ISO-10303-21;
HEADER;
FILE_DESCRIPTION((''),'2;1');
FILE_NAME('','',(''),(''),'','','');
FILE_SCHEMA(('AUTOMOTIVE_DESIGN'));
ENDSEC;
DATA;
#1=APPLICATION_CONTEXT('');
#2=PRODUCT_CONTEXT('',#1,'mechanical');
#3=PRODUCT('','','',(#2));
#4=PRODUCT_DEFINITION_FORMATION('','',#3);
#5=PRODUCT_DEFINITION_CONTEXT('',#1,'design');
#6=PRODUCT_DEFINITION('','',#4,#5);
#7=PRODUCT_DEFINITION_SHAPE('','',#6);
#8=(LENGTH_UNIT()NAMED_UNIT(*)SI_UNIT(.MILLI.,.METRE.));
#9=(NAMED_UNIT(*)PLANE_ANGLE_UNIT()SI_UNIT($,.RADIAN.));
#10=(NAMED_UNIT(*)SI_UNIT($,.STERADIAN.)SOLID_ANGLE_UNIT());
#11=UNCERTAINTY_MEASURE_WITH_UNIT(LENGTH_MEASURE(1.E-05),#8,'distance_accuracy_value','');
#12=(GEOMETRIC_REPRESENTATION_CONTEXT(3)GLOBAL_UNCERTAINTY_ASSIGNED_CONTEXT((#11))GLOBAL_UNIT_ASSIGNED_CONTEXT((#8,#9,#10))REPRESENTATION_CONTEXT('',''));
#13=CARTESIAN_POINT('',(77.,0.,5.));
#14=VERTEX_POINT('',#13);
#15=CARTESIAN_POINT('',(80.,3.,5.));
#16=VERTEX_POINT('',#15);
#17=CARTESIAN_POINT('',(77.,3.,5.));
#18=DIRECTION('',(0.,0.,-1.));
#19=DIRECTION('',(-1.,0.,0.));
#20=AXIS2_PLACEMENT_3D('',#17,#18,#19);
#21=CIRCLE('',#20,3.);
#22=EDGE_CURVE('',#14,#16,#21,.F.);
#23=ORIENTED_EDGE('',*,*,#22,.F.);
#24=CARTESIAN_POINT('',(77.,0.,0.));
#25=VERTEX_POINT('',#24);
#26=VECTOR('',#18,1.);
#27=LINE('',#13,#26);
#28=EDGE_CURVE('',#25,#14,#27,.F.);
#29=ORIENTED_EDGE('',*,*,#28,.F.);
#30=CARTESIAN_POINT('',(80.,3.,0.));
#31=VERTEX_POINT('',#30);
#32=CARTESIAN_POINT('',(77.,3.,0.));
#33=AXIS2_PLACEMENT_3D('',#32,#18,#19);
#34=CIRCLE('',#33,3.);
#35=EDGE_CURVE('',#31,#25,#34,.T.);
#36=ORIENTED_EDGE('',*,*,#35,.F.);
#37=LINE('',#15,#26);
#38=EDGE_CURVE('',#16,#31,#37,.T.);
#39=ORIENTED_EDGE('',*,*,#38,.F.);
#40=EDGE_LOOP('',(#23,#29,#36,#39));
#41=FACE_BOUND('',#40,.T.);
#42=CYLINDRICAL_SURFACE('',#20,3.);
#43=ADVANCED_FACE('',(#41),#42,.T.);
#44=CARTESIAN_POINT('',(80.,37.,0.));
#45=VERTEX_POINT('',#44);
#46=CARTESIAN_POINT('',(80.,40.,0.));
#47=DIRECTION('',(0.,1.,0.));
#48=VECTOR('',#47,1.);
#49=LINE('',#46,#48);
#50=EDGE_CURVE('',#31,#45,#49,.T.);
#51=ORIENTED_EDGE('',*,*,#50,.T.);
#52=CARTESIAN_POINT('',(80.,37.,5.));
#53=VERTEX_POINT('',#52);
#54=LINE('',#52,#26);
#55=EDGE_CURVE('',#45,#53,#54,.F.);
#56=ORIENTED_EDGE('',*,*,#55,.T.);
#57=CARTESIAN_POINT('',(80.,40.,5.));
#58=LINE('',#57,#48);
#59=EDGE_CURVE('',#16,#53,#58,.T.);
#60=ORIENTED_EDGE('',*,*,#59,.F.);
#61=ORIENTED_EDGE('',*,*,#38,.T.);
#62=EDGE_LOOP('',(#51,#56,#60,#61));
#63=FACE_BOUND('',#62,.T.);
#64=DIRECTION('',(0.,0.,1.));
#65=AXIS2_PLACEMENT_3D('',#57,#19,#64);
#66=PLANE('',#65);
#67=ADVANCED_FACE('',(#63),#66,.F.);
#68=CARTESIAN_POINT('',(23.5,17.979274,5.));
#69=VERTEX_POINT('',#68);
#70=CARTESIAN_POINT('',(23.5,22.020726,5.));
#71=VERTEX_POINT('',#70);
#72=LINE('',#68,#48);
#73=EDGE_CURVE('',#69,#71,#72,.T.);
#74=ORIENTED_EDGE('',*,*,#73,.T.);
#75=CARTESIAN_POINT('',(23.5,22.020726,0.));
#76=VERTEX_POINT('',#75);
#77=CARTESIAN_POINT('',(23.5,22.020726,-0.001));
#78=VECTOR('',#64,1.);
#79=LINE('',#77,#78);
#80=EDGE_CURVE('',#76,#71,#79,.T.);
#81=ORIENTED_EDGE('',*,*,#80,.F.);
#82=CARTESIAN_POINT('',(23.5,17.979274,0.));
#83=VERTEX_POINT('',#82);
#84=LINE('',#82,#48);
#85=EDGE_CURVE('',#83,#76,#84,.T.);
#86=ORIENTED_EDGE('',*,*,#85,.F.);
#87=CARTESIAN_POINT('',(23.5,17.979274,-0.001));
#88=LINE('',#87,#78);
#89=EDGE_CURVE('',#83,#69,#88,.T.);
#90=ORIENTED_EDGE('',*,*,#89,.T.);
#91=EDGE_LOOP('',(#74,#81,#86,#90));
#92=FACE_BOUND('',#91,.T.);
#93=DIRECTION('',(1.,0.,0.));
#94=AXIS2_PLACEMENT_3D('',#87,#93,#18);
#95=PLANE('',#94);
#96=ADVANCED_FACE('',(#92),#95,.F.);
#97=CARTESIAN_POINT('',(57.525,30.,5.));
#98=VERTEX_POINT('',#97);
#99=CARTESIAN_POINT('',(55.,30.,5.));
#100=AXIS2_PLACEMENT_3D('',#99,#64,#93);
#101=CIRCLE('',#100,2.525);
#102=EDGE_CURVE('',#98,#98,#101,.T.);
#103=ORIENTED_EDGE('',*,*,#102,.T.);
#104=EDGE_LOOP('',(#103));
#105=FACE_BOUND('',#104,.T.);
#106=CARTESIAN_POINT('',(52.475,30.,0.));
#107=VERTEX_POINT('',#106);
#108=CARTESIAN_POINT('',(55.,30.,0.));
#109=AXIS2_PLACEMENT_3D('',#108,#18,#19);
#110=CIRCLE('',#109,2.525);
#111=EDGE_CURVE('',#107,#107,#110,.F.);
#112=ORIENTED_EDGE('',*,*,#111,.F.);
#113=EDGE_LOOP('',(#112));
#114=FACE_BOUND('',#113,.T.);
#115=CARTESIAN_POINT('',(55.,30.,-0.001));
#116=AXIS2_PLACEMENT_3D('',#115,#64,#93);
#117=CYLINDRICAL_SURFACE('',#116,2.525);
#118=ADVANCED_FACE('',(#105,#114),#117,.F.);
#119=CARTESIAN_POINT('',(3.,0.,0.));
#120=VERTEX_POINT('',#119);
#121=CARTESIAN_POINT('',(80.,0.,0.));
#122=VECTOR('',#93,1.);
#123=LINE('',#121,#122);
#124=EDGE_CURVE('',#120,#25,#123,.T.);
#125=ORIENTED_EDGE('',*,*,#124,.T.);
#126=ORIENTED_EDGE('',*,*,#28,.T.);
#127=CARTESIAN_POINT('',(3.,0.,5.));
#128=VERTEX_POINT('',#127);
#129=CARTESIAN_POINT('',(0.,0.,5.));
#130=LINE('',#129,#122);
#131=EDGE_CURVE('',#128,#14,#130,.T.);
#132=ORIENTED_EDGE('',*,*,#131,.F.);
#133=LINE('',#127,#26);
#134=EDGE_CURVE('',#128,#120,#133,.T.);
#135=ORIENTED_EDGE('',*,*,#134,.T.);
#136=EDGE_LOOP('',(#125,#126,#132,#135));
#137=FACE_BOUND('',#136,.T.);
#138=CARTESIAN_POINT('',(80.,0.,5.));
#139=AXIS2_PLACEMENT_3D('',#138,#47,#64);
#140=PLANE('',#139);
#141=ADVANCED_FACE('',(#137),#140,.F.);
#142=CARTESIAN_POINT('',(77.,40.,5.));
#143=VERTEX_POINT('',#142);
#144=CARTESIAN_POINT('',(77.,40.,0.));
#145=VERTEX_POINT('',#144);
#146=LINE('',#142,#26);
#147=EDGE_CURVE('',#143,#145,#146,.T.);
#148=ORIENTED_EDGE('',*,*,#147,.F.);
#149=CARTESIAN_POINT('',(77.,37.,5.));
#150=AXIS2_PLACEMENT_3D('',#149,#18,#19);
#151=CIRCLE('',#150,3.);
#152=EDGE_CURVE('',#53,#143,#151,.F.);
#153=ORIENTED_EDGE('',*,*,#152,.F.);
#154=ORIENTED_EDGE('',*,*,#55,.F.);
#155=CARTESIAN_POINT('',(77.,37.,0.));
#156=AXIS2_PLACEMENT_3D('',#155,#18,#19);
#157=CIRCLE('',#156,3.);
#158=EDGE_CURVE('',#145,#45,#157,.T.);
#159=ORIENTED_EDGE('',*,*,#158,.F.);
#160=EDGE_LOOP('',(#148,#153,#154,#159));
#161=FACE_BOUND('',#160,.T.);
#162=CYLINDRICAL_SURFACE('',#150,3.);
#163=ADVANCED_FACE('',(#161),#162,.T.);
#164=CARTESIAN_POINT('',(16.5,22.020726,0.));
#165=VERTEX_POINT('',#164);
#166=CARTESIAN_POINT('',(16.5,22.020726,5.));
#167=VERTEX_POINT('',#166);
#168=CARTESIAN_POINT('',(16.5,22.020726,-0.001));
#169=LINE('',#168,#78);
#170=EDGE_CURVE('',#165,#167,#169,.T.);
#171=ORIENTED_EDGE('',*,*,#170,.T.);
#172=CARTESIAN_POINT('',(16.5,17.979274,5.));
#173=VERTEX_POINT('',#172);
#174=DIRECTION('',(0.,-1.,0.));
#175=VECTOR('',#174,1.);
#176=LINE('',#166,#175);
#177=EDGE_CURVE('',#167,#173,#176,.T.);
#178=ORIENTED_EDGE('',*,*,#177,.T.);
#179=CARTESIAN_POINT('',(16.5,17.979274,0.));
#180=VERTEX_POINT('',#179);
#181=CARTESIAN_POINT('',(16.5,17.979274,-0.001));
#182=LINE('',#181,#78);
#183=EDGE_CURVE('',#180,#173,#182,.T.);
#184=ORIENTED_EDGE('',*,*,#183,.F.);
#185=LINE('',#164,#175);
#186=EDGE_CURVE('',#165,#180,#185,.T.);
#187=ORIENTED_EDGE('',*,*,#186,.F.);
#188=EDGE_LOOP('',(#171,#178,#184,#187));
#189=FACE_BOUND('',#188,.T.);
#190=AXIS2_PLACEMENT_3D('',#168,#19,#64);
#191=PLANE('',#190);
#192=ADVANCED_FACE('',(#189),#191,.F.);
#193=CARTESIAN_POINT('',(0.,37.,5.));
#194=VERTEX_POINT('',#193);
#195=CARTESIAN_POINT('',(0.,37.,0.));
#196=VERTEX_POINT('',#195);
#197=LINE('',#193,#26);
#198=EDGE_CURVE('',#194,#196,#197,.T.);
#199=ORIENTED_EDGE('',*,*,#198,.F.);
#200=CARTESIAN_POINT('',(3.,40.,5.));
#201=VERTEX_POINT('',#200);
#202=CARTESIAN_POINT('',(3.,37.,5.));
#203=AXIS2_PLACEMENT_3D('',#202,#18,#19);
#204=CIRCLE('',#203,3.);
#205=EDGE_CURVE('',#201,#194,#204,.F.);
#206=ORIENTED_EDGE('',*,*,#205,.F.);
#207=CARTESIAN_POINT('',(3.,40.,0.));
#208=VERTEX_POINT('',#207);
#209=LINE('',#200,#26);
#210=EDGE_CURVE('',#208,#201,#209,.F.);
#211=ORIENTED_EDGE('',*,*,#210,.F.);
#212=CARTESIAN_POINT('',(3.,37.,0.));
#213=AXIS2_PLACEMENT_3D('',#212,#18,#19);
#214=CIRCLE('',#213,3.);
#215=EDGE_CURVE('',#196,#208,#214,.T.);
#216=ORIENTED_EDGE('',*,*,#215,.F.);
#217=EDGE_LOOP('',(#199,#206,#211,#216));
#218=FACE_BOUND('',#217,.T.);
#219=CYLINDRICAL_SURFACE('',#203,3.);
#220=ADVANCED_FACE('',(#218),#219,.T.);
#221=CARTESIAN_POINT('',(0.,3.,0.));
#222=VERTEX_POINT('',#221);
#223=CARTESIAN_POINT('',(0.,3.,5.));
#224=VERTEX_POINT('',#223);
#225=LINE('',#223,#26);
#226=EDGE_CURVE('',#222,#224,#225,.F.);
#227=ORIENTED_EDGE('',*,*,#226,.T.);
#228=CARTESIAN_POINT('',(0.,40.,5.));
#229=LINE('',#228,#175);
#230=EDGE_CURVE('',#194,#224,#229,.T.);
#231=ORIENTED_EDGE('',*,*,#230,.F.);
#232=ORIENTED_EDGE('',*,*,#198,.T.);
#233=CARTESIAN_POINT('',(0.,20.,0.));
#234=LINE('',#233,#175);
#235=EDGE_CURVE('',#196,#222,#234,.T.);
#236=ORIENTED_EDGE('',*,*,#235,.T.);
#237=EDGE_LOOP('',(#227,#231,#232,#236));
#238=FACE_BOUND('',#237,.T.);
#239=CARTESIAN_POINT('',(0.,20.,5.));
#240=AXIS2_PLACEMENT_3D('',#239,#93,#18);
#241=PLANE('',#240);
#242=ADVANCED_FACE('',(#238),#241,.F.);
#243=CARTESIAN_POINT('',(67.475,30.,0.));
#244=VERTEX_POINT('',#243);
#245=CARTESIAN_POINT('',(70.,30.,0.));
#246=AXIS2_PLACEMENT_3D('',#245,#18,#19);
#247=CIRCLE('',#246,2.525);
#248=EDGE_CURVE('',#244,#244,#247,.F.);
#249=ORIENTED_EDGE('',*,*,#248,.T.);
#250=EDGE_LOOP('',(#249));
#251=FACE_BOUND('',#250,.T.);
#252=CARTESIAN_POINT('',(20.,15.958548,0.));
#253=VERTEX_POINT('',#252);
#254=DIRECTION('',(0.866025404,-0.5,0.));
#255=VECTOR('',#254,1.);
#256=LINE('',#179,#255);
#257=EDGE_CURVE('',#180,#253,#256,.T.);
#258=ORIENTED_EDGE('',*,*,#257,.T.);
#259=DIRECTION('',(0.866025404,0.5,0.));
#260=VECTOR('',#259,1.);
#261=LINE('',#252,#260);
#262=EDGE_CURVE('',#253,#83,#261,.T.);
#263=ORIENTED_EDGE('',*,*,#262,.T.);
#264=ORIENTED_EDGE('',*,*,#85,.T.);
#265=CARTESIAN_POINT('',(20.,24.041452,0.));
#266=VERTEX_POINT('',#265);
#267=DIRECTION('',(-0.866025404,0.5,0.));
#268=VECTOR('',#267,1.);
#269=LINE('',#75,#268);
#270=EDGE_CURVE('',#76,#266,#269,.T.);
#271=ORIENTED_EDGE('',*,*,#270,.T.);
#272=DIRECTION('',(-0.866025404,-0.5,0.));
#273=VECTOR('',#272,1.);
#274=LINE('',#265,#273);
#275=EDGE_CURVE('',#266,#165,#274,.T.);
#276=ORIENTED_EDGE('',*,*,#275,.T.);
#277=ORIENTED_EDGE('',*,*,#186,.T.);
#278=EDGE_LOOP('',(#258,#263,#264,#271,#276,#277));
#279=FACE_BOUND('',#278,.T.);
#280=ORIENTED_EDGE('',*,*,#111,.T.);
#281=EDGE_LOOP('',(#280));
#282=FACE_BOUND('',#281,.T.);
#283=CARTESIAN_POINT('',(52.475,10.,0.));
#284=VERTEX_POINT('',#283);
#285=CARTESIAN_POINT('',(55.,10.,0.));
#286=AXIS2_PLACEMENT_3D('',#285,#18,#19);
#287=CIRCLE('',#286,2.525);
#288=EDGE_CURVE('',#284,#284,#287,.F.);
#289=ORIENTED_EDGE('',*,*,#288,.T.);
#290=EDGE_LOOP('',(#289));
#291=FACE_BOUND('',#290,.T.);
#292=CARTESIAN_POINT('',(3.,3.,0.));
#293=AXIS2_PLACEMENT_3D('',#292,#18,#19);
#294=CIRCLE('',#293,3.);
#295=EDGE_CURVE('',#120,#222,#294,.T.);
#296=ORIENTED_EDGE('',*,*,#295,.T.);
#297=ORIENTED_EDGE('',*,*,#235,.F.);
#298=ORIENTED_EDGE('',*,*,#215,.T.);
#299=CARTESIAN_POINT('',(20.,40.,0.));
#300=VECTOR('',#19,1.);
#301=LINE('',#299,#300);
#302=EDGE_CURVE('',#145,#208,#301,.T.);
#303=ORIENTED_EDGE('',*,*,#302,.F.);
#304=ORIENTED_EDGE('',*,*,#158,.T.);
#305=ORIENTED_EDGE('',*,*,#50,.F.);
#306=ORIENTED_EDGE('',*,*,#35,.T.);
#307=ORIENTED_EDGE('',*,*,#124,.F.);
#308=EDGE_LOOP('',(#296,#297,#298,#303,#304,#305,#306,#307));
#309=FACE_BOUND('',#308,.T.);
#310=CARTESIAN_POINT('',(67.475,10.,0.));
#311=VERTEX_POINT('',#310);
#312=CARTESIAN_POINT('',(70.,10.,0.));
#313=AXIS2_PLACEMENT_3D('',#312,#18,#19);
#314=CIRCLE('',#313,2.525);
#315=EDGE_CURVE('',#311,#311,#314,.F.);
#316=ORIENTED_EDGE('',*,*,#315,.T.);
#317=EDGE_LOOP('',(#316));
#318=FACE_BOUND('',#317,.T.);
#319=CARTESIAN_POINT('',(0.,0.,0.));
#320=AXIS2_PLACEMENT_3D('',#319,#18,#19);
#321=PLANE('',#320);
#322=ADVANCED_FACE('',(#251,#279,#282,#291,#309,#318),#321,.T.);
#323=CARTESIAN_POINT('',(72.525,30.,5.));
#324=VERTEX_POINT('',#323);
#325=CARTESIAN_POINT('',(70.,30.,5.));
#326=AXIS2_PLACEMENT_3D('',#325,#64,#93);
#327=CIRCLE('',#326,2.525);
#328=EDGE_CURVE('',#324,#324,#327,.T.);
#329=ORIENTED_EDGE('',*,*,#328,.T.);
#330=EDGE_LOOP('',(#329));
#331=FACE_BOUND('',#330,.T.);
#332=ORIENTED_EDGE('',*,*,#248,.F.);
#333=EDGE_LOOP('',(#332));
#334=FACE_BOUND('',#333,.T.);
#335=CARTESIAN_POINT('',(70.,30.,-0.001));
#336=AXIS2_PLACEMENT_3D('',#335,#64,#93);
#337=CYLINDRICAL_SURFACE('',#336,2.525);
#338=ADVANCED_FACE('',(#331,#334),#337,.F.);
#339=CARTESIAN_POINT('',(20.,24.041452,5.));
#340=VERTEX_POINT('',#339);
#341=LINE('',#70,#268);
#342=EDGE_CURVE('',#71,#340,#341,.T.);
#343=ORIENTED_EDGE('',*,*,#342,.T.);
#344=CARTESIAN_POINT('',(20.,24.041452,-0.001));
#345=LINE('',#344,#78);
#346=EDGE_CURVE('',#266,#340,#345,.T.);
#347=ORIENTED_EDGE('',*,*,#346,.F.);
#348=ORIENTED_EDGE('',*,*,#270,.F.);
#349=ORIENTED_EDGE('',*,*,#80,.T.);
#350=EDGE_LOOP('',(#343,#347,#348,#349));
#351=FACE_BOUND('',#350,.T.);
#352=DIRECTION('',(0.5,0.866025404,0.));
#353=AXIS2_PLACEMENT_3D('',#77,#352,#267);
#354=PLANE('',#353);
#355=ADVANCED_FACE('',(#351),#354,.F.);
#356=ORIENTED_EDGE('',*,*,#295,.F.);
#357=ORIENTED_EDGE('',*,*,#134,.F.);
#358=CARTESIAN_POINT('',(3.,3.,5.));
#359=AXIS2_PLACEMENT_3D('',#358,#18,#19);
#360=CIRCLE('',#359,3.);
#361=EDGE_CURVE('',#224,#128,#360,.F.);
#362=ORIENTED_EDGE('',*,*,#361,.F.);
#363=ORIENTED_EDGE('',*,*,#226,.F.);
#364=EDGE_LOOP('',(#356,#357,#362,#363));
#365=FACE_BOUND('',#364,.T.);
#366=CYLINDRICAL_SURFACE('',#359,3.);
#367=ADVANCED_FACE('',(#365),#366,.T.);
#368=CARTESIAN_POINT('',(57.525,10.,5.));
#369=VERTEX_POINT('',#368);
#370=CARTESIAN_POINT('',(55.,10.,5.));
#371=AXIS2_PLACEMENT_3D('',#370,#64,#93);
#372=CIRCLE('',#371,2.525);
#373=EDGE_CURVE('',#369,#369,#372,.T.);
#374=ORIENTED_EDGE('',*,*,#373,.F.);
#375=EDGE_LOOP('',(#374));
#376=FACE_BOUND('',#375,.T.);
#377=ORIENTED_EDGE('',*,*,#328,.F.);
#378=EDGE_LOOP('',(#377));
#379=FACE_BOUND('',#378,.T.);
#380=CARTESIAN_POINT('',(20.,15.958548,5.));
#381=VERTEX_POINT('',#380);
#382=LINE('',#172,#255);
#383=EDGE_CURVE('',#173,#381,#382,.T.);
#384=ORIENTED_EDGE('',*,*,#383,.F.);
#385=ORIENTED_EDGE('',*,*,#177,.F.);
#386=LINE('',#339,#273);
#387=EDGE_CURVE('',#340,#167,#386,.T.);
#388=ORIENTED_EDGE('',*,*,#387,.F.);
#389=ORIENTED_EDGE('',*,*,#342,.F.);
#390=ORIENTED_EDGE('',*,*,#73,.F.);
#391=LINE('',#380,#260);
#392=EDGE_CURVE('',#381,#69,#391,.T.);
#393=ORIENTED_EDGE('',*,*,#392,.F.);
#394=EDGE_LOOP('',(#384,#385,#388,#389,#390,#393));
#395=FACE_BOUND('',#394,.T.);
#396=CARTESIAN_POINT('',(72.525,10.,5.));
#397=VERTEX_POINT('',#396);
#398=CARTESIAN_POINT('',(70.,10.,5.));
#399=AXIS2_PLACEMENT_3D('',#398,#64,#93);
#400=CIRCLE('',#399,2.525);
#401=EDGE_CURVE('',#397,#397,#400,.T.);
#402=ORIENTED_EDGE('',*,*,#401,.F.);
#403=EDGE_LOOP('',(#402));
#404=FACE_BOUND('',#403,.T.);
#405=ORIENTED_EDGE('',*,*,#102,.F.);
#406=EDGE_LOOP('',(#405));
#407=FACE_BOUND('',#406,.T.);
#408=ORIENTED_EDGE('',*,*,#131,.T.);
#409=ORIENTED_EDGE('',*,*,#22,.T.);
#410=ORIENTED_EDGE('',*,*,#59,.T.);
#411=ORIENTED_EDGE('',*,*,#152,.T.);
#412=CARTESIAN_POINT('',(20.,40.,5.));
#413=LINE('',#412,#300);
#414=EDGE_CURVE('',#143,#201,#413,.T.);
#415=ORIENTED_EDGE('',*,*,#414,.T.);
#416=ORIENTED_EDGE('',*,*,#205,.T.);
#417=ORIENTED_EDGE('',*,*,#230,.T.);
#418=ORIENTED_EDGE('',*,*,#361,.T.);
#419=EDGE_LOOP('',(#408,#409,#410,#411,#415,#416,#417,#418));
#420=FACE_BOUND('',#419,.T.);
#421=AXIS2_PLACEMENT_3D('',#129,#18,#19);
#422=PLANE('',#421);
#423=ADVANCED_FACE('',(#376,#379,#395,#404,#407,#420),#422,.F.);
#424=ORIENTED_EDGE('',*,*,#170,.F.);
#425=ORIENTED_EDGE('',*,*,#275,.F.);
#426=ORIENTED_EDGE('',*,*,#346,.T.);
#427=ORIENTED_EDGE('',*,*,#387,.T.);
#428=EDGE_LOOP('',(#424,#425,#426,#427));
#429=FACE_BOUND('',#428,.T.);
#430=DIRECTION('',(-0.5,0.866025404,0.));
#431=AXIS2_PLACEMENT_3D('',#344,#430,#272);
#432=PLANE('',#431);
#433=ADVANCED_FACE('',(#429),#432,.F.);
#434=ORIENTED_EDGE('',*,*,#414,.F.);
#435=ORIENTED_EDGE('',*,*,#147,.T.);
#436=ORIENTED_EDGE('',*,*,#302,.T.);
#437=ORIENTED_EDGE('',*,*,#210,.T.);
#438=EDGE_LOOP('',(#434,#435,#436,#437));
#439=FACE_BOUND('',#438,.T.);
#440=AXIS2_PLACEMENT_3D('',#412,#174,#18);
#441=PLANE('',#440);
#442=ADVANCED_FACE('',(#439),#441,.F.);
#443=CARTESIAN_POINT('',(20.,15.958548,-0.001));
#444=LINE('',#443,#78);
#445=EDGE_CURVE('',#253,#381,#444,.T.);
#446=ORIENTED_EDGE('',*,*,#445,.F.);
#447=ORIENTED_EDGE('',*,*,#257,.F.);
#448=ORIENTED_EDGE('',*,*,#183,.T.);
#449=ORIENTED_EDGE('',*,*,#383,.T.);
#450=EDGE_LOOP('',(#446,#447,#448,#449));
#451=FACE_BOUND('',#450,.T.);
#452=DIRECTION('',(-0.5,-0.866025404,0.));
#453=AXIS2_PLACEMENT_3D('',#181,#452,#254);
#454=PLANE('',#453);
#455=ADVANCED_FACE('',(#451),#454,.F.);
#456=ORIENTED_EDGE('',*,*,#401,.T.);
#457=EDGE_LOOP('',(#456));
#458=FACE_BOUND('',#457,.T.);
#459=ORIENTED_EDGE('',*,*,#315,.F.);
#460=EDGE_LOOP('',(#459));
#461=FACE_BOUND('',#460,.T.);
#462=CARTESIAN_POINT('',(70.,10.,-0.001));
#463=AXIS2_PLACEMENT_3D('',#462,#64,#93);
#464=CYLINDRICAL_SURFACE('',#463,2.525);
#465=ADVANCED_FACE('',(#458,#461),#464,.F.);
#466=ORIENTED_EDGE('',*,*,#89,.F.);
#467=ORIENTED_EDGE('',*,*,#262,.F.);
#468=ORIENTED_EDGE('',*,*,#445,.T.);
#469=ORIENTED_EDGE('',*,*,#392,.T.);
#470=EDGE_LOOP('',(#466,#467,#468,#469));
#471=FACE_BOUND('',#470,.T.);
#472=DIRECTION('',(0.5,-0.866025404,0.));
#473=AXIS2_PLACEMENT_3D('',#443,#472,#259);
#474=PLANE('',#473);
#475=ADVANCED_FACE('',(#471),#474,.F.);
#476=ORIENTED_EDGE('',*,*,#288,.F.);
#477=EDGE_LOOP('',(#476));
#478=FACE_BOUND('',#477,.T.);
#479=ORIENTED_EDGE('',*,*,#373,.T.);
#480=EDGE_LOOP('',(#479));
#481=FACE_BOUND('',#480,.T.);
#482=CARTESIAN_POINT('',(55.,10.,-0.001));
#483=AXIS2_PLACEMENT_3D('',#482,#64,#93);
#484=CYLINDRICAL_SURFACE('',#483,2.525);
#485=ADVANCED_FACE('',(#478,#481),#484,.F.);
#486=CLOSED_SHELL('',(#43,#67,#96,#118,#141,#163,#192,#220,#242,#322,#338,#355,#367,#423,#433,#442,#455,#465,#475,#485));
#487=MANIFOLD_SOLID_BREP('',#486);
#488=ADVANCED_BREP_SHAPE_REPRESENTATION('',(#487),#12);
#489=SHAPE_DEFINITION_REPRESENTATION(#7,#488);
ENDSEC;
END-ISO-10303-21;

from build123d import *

# Parameters (mm, degrees)
BOSS_EXTRUDE1_DEPTH = 5
CUT_EXTRUDE1_REACH  = 91.582
CUT_EXTRUDE2_REACH  = 91.582
SKETCH3_R           = 2.525
FILLET1_R           = 3
FILLET2_R           = 3


with BuildPart() as part:
    # Sketch1 → Boss-Extrude1 (new body)
    with BuildSketch(Plane.XY):
        Polygon((20, 40), (80, 40), (80, 0), (20, 0), (0, 0), (0, 20), (0, 40), align=None)
    extrude(amount=BOSS_EXTRUDE1_DEPTH)

    # Sketch2 → Cut-Extrude1 (cut, up to next)
    with BuildSketch(Plane.XY.offset(5), mode=Mode.PRIVATE) as cut_extrude1_sk1:
        Polygon((20, 15.958548116), (23.5, 17.979274058), (23.5, 22.020725942), (20, 24.041451884), (16.5, 22.020725942), (16.5, 17.979274058), align=None)
    cut_extrude1_tool1 = extrude(cut_extrude1_sk1.sketch, amount=-CUT_EXTRUDE1_REACH, mode=Mode.PRIVATE) & part.part
    add(cut_extrude1_tool1.solids().sort_by_distance((20, 20, 5))[0], mode=Mode.SUBTRACT)

    # Sketch3 → Cut-Extrude2 (cut, up to next)
    with BuildSketch(Plane.XY.offset(5), mode=Mode.PRIVATE) as cut_extrude2_sk1:
        with Locations((55, 30)):
            Circle(SKETCH3_R)
    cut_extrude2_tool1 = extrude(cut_extrude2_sk1.sketch, amount=-CUT_EXTRUDE2_REACH, mode=Mode.PRIVATE) & part.part
    # Sketch3 → Cut-Extrude2 (cut, up to next)
    with BuildSketch(Plane.XY.offset(5), mode=Mode.PRIVATE) as cut_extrude2_sk2:
        with Locations((55, 10)):
            Circle(SKETCH3_R)
    cut_extrude2_tool2 = extrude(cut_extrude2_sk2.sketch, amount=-CUT_EXTRUDE2_REACH, mode=Mode.PRIVATE) & part.part
    # Sketch3 → Cut-Extrude2 (cut, up to next)
    with BuildSketch(Plane.XY.offset(5), mode=Mode.PRIVATE) as cut_extrude2_sk3:
        with Locations((70, 30)):
            Circle(SKETCH3_R)
    cut_extrude2_tool3 = extrude(cut_extrude2_sk3.sketch, amount=-CUT_EXTRUDE2_REACH, mode=Mode.PRIVATE) & part.part
    # Sketch3 → Cut-Extrude2 (cut, up to next)
    with BuildSketch(Plane.XY.offset(5), mode=Mode.PRIVATE) as cut_extrude2_sk4:
        with Locations((70, 10)):
            Circle(SKETCH3_R)
    cut_extrude2_tool4 = extrude(cut_extrude2_sk4.sketch, amount=-CUT_EXTRUDE2_REACH, mode=Mode.PRIVATE) & part.part
    add(cut_extrude2_tool1.solids().sort_by_distance((55, 30, 5))[0], mode=Mode.SUBTRACT)
    add(cut_extrude2_tool2.solids().sort_by_distance((55, 10, 5))[0], mode=Mode.SUBTRACT)
    add(cut_extrude2_tool3.solids().sort_by_distance((70, 30, 5))[0], mode=Mode.SUBTRACT)
    add(cut_extrude2_tool4.solids().sort_by_distance((70, 10, 5))[0], mode=Mode.SUBTRACT)

    # Fillet1
    fillet1_edges = [part.edges().sort_by_distance(p)[0] for p in [
        (80, 40, 2.5),
        (80, 0, 2.5),
    ]]
    fillet(fillet1_edges, radius=FILLET1_R)

    # Fillet2
    fillet2_edges = [part.edges().sort_by_distance(p)[0] for p in [
        (0, 0, 2.5),
        (0, 40, 2.5),
    ]]
    fillet(fillet2_edges, radius=FILLET2_R)


solid = part.part
